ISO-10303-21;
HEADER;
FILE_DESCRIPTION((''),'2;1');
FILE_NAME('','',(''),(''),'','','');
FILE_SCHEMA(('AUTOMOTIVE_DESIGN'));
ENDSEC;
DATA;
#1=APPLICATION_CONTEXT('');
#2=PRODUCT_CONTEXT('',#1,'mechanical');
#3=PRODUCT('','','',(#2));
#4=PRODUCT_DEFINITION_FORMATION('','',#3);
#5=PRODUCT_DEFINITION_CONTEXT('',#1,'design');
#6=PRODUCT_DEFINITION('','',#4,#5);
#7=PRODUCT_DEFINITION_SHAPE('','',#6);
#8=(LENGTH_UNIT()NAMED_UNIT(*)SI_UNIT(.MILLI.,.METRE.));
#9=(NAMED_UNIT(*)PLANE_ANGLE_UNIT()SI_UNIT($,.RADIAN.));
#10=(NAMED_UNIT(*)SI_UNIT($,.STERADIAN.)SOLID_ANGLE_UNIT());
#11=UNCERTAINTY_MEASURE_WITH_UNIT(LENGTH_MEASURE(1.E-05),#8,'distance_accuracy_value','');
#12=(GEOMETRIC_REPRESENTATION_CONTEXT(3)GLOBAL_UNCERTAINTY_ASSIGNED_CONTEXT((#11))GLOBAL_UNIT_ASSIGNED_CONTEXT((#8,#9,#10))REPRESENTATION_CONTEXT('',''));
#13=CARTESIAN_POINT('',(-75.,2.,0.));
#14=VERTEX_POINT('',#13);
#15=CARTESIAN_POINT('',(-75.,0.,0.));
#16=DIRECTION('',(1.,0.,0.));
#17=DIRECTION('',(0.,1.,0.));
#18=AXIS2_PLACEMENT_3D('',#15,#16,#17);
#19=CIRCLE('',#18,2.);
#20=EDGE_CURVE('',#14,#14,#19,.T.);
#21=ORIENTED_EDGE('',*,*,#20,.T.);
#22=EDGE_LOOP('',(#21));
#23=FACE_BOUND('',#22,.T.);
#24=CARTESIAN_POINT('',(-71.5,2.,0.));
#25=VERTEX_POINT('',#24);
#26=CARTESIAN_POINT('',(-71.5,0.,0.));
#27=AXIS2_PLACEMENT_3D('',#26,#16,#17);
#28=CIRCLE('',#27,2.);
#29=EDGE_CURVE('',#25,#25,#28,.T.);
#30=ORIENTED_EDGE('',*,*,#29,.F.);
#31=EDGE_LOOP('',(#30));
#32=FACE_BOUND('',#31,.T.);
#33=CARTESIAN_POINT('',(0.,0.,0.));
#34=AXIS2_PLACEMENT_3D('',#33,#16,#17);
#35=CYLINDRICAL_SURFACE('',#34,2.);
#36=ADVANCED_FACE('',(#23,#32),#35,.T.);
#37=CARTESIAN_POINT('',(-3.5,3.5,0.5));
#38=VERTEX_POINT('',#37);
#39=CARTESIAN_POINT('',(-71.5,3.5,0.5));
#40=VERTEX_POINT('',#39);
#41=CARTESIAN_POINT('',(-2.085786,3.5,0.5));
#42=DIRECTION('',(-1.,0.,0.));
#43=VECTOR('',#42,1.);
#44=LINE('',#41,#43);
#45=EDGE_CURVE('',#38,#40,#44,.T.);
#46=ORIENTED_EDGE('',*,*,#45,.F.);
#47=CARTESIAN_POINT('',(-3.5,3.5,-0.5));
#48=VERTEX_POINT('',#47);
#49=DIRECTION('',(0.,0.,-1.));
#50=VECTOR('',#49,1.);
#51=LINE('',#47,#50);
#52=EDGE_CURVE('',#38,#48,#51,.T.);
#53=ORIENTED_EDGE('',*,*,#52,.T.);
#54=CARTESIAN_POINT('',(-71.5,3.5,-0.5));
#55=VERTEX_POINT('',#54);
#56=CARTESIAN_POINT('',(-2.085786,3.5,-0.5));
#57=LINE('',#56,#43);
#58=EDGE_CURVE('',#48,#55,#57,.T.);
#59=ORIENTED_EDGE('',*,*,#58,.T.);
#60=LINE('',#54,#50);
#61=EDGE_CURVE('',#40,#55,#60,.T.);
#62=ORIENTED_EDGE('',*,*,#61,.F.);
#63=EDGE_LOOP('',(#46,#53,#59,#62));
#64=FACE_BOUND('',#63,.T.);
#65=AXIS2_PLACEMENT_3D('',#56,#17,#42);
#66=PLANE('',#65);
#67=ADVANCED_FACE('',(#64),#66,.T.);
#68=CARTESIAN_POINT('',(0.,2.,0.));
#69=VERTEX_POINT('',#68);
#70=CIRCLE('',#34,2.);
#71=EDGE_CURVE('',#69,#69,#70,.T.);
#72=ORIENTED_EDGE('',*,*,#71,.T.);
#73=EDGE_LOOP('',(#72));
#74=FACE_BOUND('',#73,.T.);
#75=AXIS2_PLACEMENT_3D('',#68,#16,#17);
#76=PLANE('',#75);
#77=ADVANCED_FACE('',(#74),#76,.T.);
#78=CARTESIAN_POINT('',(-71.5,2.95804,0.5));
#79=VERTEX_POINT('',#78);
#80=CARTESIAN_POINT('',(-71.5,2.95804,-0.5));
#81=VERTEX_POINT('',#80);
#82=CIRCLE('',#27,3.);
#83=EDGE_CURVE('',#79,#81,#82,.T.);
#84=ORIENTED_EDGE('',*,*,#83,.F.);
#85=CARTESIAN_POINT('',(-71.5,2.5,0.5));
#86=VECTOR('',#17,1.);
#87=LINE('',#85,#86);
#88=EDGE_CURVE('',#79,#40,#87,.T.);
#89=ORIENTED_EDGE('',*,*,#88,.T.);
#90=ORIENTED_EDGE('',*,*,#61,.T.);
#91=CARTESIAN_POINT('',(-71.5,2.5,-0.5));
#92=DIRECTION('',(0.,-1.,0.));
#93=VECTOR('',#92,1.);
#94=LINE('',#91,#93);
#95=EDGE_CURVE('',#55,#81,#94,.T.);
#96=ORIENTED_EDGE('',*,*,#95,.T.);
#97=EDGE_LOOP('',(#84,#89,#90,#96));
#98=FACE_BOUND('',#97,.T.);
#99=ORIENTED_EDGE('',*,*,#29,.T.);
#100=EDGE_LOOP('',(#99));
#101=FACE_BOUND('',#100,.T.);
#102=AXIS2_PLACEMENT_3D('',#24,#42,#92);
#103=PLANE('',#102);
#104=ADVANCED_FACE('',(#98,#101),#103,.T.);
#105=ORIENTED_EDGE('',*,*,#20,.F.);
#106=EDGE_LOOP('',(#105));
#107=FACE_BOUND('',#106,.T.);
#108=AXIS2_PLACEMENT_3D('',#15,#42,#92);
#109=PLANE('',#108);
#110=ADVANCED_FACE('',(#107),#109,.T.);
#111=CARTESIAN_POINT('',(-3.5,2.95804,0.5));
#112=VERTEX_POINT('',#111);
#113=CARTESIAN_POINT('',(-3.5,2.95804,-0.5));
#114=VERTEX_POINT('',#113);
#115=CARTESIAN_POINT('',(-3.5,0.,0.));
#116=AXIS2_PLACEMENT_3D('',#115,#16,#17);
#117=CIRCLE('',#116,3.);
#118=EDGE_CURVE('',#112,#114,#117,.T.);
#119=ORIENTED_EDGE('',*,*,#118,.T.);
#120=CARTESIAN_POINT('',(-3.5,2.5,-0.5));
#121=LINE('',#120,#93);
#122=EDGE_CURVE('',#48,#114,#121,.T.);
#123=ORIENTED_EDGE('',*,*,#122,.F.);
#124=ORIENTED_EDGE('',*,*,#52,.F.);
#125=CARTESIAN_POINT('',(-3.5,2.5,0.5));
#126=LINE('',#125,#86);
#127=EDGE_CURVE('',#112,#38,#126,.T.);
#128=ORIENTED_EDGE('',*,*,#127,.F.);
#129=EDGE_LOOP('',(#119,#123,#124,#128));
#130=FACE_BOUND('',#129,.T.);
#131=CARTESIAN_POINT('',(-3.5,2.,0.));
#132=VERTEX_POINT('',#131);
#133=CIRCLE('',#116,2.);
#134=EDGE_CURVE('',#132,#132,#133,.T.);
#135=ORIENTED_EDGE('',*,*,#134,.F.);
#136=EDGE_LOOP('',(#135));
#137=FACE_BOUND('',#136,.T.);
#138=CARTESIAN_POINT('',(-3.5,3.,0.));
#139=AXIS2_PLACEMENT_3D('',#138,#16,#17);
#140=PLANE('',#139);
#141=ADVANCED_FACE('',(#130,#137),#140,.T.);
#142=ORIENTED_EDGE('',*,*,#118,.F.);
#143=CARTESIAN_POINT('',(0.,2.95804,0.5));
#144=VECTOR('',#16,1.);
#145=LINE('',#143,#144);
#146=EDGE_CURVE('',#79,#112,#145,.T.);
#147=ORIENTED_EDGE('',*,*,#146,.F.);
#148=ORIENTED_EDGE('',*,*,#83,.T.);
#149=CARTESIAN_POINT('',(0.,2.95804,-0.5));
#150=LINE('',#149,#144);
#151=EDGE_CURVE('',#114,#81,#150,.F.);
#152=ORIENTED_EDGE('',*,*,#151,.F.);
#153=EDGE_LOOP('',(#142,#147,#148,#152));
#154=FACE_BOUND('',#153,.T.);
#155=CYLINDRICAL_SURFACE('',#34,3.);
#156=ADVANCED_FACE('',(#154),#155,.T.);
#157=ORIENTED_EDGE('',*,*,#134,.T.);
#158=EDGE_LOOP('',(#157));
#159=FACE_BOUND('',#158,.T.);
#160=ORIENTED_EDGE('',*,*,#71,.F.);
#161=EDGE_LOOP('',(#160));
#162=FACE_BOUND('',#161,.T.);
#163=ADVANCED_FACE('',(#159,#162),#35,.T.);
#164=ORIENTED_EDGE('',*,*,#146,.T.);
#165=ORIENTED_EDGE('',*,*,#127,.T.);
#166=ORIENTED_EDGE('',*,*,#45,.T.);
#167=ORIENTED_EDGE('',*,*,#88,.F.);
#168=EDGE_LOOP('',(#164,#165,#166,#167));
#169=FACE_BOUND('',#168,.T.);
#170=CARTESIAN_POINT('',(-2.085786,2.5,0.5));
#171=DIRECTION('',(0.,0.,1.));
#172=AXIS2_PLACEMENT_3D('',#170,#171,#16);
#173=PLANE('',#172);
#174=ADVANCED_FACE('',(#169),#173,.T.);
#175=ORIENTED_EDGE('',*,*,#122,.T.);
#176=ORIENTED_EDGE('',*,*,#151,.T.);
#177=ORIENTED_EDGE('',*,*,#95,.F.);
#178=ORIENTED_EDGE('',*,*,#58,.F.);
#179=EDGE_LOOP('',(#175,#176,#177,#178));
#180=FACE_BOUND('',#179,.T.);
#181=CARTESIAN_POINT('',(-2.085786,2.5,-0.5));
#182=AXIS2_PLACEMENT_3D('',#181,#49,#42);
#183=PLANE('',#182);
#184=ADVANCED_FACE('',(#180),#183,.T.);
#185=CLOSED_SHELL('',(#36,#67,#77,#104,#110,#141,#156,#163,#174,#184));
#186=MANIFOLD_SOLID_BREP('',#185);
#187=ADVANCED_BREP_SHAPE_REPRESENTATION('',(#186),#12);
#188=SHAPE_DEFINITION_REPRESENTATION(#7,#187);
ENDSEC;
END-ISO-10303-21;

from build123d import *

# Parameters (mm, degrees)
SKETCH2_W           = 1
SKETCH2_H           = 1
BOSS_EXTRUDE1_DEPTH = 68


with BuildPart() as part:
    # Sketch1 → Revolve1 (revolve)
    with BuildSketch(Plane.XY):
        Polygon((0, 0), (-75, 0), (-75, 2), (-71.5, 2), (-71.5, 3), (-3.5, 3), (-3.5, 2), (0, 2), align=None)
    revolve(axis=Axis((0, 0, 0), (-1, 0, 0)))

    # Sketch2 → Boss-Extrude1 (add)
    with BuildSketch(Plane.ZY.offset(71.5)):
        with Locations((0, 3)):
            Rectangle(SKETCH2_W, SKETCH2_H)
    extrude(amount=-BOSS_EXTRUDE1_DEPTH)


solid = part.part
